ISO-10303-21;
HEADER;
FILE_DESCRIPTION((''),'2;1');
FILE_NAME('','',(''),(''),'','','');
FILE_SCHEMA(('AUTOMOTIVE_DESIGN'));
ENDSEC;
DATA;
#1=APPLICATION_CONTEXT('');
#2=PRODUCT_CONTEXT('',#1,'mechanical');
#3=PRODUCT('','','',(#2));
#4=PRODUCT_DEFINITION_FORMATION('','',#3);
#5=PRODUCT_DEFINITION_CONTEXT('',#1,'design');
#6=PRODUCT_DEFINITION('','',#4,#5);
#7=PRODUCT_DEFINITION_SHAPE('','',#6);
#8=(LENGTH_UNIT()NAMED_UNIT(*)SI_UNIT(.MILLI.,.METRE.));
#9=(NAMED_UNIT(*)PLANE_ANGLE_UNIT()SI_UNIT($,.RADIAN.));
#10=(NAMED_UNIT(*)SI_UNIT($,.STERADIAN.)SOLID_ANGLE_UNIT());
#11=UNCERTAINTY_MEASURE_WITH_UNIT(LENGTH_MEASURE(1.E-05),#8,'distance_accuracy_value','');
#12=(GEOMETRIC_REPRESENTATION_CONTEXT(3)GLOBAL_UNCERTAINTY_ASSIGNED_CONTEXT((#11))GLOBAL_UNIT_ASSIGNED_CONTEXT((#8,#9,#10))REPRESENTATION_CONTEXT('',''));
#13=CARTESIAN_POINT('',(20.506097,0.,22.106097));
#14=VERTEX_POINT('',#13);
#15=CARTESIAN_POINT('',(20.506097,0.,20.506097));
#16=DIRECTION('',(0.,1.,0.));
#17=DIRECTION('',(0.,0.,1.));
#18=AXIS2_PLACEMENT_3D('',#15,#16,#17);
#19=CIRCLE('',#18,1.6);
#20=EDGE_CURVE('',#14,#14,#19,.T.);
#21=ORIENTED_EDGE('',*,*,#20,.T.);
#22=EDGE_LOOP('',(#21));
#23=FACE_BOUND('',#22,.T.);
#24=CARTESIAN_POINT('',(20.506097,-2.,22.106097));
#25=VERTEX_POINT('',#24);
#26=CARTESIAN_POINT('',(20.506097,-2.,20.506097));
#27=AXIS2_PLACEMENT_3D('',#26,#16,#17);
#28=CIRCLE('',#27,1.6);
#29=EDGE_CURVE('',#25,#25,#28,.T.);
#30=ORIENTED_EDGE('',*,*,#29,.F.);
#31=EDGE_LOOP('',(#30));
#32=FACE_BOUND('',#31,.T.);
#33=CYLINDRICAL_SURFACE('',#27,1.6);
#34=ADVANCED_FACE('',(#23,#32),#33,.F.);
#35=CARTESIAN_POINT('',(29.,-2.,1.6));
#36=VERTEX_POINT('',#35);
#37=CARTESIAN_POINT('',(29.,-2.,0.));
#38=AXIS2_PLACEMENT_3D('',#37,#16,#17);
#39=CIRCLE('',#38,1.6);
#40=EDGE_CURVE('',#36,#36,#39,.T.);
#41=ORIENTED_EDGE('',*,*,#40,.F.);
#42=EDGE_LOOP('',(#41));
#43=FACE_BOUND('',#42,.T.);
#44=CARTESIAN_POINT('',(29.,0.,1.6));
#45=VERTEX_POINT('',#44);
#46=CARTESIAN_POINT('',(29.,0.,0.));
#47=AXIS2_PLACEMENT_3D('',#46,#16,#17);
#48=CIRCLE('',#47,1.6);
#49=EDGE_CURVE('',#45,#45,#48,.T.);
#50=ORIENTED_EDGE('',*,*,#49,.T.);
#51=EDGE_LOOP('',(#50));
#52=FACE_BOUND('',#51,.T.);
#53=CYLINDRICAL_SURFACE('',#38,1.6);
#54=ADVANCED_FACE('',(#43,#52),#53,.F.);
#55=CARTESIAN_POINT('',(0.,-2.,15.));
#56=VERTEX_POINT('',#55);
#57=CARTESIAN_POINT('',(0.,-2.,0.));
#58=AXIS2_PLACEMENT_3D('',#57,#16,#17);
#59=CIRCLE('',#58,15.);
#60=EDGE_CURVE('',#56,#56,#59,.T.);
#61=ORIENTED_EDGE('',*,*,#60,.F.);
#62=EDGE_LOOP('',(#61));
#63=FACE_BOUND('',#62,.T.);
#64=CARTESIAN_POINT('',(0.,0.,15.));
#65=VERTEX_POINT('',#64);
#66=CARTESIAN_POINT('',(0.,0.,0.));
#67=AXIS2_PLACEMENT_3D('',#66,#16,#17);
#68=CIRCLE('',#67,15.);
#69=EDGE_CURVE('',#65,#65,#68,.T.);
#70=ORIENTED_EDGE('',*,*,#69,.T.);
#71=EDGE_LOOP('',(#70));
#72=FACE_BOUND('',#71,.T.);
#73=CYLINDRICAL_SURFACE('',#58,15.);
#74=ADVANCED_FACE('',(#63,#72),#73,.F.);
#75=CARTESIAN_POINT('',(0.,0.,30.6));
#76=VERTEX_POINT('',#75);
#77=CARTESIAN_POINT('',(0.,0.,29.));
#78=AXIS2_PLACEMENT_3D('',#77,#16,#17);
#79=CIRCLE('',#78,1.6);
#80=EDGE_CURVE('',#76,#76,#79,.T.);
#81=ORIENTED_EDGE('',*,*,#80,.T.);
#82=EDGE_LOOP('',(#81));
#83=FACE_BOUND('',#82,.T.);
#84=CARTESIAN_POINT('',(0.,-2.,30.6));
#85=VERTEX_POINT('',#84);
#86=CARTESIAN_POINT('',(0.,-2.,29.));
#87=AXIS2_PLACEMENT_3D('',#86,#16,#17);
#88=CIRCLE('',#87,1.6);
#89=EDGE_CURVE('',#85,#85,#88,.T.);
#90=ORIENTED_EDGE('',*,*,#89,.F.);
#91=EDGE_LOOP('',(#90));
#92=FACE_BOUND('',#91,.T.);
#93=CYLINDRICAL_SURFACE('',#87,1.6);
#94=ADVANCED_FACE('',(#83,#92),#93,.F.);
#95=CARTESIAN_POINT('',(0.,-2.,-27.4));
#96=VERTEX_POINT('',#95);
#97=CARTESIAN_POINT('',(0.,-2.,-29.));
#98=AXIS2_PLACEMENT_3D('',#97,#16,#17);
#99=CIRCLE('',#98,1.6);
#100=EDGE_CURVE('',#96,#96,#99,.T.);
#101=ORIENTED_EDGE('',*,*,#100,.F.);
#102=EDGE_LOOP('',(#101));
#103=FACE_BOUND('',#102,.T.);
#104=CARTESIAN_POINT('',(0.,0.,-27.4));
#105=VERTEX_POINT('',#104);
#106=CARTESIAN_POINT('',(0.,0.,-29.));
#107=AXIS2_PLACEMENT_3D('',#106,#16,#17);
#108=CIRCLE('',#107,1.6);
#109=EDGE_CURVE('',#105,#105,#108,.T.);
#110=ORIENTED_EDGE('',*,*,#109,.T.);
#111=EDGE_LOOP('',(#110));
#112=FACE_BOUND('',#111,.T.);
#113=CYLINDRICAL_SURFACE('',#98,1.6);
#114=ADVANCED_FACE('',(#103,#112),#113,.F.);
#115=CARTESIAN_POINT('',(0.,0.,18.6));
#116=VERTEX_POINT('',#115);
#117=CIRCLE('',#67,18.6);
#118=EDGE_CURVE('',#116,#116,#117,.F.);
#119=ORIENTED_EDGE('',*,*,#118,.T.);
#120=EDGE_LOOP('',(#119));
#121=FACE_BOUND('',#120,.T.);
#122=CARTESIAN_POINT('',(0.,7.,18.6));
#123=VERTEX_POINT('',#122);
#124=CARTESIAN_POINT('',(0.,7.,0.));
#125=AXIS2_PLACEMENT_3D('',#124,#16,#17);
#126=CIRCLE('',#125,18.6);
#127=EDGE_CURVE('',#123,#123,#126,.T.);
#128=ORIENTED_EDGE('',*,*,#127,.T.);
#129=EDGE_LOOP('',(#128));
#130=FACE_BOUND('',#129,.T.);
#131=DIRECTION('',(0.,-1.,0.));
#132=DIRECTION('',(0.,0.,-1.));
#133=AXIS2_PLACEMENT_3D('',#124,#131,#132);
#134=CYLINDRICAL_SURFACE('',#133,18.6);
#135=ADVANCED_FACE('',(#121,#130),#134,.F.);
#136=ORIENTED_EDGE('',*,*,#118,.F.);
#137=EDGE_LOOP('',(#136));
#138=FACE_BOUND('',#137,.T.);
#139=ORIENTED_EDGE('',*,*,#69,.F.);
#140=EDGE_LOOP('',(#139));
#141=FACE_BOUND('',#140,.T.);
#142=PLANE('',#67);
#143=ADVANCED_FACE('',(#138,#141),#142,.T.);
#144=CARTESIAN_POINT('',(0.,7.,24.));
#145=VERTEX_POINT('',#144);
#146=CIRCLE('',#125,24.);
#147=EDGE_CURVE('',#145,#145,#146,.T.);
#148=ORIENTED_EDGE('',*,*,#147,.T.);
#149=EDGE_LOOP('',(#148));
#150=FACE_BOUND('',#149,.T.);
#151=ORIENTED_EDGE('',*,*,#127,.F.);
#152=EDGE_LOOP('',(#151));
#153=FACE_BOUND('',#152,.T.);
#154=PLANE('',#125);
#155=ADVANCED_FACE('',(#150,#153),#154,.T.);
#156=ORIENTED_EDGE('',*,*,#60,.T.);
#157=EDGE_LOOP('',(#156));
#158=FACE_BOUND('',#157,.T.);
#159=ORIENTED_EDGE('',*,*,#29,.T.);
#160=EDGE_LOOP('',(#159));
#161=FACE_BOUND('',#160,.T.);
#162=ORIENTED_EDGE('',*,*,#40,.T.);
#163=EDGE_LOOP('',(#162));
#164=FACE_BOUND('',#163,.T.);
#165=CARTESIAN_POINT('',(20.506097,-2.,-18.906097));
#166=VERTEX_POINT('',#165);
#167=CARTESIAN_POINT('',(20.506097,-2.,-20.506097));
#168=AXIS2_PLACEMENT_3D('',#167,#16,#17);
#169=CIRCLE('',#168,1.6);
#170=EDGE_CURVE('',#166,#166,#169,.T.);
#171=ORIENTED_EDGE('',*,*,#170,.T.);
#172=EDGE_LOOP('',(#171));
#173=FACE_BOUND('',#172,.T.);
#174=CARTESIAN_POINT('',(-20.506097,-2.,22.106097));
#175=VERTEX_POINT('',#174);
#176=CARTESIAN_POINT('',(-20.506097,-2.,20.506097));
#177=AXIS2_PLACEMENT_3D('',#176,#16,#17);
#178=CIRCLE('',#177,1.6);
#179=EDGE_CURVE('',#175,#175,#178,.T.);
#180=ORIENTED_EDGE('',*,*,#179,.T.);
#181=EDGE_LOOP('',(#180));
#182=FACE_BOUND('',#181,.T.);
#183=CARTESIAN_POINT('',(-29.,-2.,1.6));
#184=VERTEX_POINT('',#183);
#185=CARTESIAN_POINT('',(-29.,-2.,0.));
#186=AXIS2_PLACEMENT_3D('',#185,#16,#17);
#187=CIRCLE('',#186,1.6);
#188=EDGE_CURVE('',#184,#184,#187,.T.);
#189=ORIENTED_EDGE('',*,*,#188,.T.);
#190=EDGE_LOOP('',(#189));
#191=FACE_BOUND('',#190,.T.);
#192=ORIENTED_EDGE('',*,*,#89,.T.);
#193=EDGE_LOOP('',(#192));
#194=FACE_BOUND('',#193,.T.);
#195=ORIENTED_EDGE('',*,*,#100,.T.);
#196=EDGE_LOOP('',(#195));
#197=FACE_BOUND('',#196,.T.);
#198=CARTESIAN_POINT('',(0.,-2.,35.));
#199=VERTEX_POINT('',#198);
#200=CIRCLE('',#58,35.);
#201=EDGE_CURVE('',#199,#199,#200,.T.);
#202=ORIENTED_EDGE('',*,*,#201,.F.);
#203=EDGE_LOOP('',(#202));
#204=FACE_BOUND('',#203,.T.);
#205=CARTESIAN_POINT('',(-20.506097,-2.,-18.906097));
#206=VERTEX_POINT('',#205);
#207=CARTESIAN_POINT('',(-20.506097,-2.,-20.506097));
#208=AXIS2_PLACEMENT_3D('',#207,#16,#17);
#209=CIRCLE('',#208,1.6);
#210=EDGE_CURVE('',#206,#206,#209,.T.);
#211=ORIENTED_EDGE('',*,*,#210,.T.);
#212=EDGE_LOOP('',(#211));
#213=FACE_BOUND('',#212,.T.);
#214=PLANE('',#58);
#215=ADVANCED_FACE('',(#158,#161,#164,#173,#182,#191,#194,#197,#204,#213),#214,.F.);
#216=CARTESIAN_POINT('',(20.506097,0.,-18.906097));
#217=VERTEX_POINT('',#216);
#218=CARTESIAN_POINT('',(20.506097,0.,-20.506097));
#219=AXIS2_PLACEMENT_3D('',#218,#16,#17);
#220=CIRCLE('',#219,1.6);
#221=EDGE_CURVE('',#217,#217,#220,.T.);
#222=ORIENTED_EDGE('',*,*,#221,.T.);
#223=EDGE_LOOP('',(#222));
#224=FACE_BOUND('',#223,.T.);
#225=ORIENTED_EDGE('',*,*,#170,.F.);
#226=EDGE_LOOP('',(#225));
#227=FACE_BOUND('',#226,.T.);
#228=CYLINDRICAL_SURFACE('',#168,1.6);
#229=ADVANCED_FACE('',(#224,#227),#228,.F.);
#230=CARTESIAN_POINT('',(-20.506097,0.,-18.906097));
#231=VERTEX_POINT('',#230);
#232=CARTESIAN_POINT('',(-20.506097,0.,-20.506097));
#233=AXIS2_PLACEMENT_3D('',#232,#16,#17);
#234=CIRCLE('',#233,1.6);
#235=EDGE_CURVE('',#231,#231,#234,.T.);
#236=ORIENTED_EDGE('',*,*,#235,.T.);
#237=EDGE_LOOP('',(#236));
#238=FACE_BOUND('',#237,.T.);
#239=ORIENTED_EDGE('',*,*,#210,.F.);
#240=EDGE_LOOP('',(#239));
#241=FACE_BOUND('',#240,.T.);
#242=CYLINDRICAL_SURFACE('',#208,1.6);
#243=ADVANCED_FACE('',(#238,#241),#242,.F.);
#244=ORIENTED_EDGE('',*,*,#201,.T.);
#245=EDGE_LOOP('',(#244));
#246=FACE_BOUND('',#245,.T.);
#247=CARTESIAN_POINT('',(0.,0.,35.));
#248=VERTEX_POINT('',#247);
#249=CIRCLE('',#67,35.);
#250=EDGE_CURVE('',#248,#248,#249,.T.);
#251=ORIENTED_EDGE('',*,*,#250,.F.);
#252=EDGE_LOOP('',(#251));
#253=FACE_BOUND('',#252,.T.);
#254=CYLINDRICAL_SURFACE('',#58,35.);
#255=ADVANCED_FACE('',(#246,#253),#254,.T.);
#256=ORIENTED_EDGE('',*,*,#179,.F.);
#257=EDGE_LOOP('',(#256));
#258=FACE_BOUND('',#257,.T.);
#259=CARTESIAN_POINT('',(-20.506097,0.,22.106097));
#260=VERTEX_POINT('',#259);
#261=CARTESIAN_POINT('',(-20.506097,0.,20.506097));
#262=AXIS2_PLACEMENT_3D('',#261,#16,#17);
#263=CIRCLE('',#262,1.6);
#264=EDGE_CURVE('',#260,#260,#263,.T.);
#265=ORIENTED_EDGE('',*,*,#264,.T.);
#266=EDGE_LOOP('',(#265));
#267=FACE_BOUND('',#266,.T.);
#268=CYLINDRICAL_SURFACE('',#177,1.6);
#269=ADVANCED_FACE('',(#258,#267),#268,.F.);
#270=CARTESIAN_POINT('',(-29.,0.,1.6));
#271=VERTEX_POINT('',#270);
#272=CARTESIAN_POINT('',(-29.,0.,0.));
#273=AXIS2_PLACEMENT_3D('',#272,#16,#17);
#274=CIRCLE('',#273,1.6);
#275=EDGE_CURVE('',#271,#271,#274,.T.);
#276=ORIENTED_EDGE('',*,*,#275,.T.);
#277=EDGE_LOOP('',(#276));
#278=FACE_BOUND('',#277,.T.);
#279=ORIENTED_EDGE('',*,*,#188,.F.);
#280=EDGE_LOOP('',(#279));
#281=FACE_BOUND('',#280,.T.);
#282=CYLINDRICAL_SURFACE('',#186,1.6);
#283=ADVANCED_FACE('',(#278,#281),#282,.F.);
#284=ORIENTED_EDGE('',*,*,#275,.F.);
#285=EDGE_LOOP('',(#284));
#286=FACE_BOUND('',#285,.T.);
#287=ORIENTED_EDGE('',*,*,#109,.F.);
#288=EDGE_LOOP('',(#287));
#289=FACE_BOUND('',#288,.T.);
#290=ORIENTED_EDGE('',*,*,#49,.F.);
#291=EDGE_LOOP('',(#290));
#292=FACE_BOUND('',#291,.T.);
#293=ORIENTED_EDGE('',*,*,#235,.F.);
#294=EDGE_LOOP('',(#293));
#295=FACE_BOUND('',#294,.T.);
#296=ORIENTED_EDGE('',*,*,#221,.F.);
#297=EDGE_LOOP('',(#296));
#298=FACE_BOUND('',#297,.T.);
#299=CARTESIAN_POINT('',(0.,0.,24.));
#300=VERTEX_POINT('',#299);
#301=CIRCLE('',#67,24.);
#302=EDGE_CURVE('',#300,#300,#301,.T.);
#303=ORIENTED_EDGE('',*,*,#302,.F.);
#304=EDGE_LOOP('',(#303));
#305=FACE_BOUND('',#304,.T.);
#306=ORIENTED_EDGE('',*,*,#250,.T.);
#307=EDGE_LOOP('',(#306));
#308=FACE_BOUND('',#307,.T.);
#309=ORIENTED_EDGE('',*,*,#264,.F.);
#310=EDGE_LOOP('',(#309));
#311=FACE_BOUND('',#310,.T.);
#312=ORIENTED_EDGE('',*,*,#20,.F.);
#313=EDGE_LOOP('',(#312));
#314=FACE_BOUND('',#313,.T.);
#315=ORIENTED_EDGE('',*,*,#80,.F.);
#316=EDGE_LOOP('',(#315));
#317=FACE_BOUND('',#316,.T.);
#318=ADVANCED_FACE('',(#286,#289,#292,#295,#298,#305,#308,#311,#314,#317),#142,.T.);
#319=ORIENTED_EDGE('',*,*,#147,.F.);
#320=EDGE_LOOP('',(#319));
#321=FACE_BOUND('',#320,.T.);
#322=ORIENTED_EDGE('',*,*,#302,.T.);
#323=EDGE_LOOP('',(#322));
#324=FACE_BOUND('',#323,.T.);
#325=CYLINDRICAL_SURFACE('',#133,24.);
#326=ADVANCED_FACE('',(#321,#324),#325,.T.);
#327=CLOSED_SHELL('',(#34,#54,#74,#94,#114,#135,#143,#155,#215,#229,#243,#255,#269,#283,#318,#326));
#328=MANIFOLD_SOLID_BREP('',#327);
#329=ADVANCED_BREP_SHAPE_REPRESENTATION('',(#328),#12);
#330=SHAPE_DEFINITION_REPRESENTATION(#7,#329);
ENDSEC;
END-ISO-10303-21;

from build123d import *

# Parameters (mm, degrees)
SKETCH_1_R      = 35
SKETCH_1_R_2    = 15
SKETCH_1_R_3    = 1.6
EXTRUDE_1_DEPTH = 2
SKETCH_2_R      = 24
SKETCH_2_R_2    = 18.6
EXTRUDE_2_DEPTH = 7


with BuildPart() as part:
    # 草图1 → 凸台-拉伸1 (new body)
    with BuildSketch(Plane(origin=(0, 0, 0), x_dir=(1, 0, 0), z_dir=(0, 1, 0))):
        with Locations(Location((0, 0, 0), (0, 0, 270))):
            Circle(SKETCH_1_R)
        with Locations(Location((0, 0, 0), (0, 0, 270))):
            Circle(SKETCH_1_R_2, mode=Mode.SUBTRACT)
        with Locations(Location((29, 0, 0), (0, 0, 270))):
            Circle(SKETCH_1_R_3, mode=Mode.SUBTRACT)
        with Locations(Location((20.506096654, -20.506096654, 0), (0, 0, 270))):
            Circle(SKETCH_1_R_3, mode=Mode.SUBTRACT)
        with Locations(Location((0, -29, 0), (0, 0, 270))):
            Circle(SKETCH_1_R_3, mode=Mode.SUBTRACT)
        with Locations(Location((-20.506096654, -20.506096654, 0), (0, 0, 270))):
            Circle(SKETCH_1_R_3, mode=Mode.SUBTRACT)
        with Locations(Location((-29, 0, 0), (0, 0, 270))):
            Circle(SKETCH_1_R_3, mode=Mode.SUBTRACT)
        with Locations(Location((-20.506096654, 20.506096654, 0), (0, 0, 270))):
            Circle(SKETCH_1_R_3, mode=Mode.SUBTRACT)
        with Locations(Location((0, 29, 0), (0, 0, 270))):
            Circle(SKETCH_1_R_3, mode=Mode.SUBTRACT)
        with Locations(Location((20.506096654, 20.506096654, 0), (0, 0, 270))):
            Circle(SKETCH_1_R_3, mode=Mode.SUBTRACT)
    extrude(amount=-EXTRUDE_1_DEPTH)

    # 草图2 → 凸台-拉伸2 (add)
    with BuildSketch(Plane(origin=(0, 0, 0), x_dir=(1, 0, 0), z_dir=(0, 1, 0))):
        with Locations(Location((0, 0, 0), (0, 0, 270))):
            Circle(SKETCH_2_R)
        with Locations(Location((0, 0, 0), (0, 0, 270))):
            Circle(SKETCH_2_R_2, mode=Mode.SUBTRACT)
    extrude(amount=EXTRUDE_2_DEPTH)


solid = part.part
